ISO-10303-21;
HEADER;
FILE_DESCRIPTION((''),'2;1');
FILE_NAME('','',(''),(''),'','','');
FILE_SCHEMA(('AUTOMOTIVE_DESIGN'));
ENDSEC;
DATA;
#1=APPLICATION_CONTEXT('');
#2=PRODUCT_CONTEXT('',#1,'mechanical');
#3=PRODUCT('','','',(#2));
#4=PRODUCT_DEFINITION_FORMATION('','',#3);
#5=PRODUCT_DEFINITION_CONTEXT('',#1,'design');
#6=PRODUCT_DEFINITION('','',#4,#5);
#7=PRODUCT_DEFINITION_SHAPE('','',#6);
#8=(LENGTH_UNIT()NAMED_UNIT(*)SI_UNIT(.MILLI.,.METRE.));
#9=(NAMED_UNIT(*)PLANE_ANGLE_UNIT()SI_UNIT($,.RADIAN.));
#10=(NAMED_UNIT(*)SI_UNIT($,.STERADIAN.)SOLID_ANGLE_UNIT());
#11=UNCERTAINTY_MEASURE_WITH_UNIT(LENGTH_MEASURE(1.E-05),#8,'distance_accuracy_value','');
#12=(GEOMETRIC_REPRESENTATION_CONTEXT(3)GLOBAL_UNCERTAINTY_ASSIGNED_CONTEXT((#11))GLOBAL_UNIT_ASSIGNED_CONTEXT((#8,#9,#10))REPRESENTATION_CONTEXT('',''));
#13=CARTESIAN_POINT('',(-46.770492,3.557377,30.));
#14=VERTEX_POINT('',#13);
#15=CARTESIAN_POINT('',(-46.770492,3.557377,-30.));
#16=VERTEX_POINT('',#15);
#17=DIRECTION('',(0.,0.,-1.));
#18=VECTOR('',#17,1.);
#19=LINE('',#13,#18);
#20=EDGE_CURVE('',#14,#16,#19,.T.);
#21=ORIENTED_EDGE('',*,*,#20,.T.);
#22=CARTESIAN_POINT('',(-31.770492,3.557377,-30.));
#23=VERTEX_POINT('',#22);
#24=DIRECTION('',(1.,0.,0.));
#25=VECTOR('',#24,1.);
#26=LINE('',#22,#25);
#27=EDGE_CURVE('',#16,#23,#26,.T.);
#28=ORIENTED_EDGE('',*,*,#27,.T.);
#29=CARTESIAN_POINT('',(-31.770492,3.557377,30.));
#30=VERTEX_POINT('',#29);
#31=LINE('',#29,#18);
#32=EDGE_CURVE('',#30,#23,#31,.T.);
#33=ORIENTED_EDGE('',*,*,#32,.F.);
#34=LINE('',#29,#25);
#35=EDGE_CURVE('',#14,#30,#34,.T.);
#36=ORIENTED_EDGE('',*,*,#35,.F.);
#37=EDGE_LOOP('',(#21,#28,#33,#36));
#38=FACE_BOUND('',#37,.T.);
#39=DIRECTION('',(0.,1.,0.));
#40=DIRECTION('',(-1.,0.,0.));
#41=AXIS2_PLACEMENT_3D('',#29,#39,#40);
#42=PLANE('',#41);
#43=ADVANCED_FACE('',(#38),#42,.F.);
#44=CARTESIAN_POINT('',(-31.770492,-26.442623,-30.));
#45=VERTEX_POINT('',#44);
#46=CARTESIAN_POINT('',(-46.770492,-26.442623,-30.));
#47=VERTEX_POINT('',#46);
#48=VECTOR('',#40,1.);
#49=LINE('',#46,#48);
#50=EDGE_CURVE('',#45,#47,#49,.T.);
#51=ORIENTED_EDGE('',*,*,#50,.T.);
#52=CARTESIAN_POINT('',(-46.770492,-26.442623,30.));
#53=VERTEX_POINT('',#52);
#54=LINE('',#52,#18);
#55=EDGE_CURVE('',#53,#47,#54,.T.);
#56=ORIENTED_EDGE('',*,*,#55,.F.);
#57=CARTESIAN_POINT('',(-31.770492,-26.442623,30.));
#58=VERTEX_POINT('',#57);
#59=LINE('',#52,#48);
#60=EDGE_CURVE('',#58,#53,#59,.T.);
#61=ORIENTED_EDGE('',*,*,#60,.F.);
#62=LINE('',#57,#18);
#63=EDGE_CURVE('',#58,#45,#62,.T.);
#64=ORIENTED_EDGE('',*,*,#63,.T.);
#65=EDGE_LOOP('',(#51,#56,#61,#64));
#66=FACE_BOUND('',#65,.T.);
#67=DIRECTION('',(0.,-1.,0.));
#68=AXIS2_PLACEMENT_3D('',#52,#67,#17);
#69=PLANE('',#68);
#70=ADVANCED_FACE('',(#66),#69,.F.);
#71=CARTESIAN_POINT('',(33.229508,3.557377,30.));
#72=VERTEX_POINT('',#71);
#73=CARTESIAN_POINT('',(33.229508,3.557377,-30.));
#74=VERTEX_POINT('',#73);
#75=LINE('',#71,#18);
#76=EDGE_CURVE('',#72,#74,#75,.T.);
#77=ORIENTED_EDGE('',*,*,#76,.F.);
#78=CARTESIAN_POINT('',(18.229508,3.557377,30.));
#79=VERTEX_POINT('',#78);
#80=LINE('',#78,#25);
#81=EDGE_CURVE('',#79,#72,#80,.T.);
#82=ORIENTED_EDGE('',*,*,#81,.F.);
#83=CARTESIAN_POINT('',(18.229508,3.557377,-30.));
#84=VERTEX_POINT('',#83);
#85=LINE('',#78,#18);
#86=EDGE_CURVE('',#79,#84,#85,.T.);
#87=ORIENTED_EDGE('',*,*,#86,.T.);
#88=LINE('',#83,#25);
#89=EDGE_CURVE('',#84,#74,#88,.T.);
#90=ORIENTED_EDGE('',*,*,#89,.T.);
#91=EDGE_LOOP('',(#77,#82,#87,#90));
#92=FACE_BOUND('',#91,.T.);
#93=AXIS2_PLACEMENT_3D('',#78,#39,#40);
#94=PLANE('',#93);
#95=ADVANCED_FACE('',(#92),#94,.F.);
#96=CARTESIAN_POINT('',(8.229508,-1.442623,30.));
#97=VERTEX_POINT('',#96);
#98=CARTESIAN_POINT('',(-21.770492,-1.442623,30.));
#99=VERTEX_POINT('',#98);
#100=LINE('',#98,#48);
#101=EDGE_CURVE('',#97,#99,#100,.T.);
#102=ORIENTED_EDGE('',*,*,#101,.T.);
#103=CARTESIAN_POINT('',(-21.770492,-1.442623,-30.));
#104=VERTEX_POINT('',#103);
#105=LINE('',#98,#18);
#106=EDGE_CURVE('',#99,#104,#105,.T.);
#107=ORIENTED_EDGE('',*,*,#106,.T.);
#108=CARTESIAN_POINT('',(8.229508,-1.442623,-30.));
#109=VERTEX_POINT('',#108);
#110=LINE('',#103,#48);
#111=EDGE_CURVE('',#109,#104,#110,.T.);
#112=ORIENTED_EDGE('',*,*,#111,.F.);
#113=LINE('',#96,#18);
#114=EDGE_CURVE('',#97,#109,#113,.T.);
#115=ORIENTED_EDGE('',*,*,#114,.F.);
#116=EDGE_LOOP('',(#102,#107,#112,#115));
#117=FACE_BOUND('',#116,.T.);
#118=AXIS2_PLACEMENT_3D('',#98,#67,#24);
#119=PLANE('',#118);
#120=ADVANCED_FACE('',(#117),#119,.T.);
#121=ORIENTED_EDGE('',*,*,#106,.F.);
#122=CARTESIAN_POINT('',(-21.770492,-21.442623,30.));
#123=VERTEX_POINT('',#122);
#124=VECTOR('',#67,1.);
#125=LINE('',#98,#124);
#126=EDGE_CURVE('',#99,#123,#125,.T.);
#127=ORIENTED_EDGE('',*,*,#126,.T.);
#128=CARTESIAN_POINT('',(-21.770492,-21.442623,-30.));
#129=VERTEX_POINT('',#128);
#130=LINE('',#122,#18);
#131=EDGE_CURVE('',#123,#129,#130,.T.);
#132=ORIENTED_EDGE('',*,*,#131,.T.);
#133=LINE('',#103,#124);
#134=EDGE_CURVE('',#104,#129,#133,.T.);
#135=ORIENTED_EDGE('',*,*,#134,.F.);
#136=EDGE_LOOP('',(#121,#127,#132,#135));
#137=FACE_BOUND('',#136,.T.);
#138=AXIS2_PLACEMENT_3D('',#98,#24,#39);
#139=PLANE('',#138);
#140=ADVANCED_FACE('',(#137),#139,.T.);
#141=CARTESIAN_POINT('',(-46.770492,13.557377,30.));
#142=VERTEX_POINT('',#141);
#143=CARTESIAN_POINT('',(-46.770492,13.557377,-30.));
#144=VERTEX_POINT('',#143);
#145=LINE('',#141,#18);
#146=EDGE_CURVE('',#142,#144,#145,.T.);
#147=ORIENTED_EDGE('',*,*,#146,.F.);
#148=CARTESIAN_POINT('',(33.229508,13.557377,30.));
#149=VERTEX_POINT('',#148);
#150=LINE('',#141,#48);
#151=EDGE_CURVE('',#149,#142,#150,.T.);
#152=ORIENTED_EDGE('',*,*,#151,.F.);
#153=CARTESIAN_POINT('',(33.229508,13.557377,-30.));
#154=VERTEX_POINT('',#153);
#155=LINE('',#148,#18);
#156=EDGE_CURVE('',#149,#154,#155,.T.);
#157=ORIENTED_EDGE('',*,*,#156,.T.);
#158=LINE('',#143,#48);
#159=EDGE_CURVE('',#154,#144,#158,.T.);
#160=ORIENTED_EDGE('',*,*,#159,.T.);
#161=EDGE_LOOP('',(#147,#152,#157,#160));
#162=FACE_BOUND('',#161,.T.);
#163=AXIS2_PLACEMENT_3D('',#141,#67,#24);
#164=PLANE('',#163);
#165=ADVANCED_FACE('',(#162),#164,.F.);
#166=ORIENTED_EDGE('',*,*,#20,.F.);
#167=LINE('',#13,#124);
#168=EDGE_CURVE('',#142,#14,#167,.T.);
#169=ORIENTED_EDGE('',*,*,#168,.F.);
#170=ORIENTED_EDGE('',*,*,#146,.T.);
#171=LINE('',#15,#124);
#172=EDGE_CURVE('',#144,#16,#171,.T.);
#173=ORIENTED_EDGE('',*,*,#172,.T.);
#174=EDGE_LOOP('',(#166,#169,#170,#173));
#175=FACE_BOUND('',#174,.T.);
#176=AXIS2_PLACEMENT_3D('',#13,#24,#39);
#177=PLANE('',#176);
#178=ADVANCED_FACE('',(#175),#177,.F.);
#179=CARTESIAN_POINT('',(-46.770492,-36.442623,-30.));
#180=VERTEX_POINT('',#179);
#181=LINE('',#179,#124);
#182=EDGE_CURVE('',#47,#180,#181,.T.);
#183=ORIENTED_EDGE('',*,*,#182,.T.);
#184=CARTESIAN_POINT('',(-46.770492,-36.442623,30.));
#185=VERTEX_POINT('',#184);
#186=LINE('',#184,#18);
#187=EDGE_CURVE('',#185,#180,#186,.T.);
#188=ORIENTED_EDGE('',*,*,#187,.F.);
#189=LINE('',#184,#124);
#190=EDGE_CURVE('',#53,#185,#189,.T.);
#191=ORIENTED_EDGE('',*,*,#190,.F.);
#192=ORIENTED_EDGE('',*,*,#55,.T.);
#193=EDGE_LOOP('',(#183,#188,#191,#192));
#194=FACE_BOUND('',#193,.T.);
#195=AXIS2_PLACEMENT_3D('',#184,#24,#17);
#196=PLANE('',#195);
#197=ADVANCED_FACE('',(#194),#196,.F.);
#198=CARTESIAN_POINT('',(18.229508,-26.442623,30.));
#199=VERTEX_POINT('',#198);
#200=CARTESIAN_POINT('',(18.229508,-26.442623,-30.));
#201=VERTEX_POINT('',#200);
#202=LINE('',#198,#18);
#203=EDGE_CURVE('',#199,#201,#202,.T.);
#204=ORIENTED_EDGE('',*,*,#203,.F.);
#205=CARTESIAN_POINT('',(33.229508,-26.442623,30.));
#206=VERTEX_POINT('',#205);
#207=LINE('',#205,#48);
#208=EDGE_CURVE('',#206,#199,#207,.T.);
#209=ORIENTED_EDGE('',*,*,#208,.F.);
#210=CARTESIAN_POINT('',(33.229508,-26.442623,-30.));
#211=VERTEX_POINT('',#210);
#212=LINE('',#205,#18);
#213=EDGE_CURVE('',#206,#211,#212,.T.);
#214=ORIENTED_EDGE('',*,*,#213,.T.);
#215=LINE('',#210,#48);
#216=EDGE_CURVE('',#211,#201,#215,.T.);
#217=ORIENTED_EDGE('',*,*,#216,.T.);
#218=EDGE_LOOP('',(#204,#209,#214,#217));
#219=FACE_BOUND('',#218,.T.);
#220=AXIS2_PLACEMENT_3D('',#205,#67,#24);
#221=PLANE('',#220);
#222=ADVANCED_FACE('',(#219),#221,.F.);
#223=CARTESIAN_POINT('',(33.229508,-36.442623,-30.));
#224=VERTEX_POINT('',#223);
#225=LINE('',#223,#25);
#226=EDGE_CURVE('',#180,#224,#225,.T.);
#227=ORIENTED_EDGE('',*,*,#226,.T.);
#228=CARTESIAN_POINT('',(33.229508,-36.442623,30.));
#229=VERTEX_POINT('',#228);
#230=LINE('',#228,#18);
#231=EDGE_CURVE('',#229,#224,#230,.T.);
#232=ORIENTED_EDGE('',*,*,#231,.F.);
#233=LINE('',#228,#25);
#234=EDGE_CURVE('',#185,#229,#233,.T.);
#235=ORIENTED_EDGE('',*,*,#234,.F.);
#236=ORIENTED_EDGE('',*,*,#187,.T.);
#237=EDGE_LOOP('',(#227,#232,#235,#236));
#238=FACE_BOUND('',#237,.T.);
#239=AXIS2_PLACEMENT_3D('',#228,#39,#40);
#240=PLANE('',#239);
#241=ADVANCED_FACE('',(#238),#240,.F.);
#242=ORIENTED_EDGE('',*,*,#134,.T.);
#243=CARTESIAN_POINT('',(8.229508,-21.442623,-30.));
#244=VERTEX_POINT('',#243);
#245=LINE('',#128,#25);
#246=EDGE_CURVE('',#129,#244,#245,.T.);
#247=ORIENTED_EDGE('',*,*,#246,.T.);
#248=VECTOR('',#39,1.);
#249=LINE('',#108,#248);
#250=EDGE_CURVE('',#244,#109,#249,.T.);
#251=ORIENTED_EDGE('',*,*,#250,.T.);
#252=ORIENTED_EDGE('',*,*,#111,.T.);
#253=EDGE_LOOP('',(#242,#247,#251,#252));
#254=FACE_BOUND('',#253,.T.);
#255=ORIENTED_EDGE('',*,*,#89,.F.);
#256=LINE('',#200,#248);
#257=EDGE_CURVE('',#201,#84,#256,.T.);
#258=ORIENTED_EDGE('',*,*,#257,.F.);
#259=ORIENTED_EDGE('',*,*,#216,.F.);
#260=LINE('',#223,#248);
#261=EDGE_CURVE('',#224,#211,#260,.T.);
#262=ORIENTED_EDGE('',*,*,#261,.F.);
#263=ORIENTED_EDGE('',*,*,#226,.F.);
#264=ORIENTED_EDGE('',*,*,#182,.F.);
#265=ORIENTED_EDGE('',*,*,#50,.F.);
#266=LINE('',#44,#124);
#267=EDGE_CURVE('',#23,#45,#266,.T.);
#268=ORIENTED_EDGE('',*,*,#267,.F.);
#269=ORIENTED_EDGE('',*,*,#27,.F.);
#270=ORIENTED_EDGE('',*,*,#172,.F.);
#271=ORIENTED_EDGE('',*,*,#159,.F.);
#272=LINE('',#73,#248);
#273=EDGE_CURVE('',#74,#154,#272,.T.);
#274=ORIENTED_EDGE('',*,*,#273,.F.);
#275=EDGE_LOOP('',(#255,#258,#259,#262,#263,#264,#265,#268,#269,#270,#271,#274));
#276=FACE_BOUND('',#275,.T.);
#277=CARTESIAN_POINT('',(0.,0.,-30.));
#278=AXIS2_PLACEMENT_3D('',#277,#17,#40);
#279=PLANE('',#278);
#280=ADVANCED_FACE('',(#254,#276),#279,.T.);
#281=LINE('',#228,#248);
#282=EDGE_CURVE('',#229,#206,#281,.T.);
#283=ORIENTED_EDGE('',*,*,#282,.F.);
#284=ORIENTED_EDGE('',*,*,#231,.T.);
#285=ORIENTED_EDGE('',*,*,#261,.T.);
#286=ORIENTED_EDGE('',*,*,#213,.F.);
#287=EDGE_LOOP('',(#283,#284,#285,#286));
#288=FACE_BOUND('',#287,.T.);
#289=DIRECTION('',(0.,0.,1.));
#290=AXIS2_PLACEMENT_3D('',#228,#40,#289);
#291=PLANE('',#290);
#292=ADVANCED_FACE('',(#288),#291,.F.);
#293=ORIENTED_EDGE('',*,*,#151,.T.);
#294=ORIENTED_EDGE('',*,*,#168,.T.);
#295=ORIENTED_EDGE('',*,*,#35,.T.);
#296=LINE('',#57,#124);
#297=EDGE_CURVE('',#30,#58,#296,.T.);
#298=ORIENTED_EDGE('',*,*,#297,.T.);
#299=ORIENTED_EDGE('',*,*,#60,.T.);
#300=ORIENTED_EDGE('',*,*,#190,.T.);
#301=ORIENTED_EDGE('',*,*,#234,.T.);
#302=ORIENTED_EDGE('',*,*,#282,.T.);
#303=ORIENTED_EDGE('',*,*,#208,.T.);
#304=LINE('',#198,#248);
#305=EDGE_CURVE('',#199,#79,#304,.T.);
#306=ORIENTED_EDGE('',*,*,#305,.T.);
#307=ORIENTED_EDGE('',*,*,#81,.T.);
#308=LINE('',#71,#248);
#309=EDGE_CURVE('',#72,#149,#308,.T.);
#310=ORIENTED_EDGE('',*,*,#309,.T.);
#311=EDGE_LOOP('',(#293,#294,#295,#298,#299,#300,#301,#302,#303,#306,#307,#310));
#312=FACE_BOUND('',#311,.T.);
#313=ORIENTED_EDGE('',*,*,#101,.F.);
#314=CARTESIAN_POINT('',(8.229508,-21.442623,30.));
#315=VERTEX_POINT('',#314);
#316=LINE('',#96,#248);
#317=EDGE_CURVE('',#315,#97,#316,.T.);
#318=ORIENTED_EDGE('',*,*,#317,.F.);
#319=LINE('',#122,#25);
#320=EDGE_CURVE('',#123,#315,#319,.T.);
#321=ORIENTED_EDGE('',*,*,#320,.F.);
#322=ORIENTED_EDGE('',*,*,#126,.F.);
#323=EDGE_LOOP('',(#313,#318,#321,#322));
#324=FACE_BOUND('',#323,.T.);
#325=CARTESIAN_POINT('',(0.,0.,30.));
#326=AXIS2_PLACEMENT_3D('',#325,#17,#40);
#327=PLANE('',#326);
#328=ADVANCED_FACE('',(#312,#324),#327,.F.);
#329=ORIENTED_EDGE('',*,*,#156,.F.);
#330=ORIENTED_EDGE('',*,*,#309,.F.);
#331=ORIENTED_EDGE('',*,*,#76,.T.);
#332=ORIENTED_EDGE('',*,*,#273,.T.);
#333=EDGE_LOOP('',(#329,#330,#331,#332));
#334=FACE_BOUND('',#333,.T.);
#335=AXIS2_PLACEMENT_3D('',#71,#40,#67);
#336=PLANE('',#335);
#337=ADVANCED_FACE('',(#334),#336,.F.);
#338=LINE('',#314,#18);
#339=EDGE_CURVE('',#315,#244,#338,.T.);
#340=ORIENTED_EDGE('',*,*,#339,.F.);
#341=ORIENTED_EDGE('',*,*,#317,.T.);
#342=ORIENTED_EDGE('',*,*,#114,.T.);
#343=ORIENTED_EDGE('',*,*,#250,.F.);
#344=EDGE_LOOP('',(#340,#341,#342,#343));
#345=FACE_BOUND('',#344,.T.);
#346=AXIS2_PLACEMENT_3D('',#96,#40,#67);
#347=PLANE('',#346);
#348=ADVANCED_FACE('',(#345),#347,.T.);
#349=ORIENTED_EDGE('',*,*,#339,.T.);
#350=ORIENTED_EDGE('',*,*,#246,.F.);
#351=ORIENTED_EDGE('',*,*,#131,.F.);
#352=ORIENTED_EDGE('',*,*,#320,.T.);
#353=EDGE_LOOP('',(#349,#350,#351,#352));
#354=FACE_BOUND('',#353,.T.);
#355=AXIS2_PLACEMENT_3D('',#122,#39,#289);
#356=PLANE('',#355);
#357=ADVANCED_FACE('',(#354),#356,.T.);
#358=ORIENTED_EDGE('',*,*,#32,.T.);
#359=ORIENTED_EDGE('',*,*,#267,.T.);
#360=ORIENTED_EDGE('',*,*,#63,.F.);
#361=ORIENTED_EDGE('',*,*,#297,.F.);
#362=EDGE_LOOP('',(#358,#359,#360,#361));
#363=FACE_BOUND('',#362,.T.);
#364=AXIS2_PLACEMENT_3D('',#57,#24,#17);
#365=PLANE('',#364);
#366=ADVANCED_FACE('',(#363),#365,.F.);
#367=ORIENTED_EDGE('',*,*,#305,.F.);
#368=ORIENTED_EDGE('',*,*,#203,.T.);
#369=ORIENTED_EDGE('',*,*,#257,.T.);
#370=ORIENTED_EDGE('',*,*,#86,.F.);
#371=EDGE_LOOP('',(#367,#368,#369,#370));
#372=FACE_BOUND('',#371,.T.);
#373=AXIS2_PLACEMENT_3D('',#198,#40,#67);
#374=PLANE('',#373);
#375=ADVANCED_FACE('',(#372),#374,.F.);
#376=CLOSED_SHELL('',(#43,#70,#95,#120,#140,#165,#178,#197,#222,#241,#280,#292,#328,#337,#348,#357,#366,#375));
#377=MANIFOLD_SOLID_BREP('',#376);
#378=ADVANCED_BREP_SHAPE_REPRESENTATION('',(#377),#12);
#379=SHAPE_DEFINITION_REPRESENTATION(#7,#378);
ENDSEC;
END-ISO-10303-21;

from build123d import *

# Parameters (mm, degrees)
SKETCH1_W           = 30
SKETCH1_H           = 20
BOSS_EXTRUDE1_DEPTH = 30


with BuildPart() as part:
    # Sketch1 → Boss-Extrude1 (new, symmetric)
    with BuildSketch(Plane.XY):
        Polygon((33.229508197, -36.442622951), (-46.770491803, -36.442622951), (-46.770491803, -26.442622951), (-31.770491803, -26.442622951), (-31.770491803, 3.557377049), (-46.770491803, 3.557377049), (-46.770491803, 13.557377049), (33.229508197, 13.557377049), (33.229508197, 3.557377049), (18.229508197, 3.557377049), (18.229508197, -26.442622951), (33.229508197, -26.442622951), align=None)
        with Locations((-6.770491803, -11.442622951)):
            Rectangle(SKETCH1_W, SKETCH1_H, mode=Mode.SUBTRACT)
    extrude(amount=BOSS_EXTRUDE1_DEPTH, both=True)


solid = part.part
